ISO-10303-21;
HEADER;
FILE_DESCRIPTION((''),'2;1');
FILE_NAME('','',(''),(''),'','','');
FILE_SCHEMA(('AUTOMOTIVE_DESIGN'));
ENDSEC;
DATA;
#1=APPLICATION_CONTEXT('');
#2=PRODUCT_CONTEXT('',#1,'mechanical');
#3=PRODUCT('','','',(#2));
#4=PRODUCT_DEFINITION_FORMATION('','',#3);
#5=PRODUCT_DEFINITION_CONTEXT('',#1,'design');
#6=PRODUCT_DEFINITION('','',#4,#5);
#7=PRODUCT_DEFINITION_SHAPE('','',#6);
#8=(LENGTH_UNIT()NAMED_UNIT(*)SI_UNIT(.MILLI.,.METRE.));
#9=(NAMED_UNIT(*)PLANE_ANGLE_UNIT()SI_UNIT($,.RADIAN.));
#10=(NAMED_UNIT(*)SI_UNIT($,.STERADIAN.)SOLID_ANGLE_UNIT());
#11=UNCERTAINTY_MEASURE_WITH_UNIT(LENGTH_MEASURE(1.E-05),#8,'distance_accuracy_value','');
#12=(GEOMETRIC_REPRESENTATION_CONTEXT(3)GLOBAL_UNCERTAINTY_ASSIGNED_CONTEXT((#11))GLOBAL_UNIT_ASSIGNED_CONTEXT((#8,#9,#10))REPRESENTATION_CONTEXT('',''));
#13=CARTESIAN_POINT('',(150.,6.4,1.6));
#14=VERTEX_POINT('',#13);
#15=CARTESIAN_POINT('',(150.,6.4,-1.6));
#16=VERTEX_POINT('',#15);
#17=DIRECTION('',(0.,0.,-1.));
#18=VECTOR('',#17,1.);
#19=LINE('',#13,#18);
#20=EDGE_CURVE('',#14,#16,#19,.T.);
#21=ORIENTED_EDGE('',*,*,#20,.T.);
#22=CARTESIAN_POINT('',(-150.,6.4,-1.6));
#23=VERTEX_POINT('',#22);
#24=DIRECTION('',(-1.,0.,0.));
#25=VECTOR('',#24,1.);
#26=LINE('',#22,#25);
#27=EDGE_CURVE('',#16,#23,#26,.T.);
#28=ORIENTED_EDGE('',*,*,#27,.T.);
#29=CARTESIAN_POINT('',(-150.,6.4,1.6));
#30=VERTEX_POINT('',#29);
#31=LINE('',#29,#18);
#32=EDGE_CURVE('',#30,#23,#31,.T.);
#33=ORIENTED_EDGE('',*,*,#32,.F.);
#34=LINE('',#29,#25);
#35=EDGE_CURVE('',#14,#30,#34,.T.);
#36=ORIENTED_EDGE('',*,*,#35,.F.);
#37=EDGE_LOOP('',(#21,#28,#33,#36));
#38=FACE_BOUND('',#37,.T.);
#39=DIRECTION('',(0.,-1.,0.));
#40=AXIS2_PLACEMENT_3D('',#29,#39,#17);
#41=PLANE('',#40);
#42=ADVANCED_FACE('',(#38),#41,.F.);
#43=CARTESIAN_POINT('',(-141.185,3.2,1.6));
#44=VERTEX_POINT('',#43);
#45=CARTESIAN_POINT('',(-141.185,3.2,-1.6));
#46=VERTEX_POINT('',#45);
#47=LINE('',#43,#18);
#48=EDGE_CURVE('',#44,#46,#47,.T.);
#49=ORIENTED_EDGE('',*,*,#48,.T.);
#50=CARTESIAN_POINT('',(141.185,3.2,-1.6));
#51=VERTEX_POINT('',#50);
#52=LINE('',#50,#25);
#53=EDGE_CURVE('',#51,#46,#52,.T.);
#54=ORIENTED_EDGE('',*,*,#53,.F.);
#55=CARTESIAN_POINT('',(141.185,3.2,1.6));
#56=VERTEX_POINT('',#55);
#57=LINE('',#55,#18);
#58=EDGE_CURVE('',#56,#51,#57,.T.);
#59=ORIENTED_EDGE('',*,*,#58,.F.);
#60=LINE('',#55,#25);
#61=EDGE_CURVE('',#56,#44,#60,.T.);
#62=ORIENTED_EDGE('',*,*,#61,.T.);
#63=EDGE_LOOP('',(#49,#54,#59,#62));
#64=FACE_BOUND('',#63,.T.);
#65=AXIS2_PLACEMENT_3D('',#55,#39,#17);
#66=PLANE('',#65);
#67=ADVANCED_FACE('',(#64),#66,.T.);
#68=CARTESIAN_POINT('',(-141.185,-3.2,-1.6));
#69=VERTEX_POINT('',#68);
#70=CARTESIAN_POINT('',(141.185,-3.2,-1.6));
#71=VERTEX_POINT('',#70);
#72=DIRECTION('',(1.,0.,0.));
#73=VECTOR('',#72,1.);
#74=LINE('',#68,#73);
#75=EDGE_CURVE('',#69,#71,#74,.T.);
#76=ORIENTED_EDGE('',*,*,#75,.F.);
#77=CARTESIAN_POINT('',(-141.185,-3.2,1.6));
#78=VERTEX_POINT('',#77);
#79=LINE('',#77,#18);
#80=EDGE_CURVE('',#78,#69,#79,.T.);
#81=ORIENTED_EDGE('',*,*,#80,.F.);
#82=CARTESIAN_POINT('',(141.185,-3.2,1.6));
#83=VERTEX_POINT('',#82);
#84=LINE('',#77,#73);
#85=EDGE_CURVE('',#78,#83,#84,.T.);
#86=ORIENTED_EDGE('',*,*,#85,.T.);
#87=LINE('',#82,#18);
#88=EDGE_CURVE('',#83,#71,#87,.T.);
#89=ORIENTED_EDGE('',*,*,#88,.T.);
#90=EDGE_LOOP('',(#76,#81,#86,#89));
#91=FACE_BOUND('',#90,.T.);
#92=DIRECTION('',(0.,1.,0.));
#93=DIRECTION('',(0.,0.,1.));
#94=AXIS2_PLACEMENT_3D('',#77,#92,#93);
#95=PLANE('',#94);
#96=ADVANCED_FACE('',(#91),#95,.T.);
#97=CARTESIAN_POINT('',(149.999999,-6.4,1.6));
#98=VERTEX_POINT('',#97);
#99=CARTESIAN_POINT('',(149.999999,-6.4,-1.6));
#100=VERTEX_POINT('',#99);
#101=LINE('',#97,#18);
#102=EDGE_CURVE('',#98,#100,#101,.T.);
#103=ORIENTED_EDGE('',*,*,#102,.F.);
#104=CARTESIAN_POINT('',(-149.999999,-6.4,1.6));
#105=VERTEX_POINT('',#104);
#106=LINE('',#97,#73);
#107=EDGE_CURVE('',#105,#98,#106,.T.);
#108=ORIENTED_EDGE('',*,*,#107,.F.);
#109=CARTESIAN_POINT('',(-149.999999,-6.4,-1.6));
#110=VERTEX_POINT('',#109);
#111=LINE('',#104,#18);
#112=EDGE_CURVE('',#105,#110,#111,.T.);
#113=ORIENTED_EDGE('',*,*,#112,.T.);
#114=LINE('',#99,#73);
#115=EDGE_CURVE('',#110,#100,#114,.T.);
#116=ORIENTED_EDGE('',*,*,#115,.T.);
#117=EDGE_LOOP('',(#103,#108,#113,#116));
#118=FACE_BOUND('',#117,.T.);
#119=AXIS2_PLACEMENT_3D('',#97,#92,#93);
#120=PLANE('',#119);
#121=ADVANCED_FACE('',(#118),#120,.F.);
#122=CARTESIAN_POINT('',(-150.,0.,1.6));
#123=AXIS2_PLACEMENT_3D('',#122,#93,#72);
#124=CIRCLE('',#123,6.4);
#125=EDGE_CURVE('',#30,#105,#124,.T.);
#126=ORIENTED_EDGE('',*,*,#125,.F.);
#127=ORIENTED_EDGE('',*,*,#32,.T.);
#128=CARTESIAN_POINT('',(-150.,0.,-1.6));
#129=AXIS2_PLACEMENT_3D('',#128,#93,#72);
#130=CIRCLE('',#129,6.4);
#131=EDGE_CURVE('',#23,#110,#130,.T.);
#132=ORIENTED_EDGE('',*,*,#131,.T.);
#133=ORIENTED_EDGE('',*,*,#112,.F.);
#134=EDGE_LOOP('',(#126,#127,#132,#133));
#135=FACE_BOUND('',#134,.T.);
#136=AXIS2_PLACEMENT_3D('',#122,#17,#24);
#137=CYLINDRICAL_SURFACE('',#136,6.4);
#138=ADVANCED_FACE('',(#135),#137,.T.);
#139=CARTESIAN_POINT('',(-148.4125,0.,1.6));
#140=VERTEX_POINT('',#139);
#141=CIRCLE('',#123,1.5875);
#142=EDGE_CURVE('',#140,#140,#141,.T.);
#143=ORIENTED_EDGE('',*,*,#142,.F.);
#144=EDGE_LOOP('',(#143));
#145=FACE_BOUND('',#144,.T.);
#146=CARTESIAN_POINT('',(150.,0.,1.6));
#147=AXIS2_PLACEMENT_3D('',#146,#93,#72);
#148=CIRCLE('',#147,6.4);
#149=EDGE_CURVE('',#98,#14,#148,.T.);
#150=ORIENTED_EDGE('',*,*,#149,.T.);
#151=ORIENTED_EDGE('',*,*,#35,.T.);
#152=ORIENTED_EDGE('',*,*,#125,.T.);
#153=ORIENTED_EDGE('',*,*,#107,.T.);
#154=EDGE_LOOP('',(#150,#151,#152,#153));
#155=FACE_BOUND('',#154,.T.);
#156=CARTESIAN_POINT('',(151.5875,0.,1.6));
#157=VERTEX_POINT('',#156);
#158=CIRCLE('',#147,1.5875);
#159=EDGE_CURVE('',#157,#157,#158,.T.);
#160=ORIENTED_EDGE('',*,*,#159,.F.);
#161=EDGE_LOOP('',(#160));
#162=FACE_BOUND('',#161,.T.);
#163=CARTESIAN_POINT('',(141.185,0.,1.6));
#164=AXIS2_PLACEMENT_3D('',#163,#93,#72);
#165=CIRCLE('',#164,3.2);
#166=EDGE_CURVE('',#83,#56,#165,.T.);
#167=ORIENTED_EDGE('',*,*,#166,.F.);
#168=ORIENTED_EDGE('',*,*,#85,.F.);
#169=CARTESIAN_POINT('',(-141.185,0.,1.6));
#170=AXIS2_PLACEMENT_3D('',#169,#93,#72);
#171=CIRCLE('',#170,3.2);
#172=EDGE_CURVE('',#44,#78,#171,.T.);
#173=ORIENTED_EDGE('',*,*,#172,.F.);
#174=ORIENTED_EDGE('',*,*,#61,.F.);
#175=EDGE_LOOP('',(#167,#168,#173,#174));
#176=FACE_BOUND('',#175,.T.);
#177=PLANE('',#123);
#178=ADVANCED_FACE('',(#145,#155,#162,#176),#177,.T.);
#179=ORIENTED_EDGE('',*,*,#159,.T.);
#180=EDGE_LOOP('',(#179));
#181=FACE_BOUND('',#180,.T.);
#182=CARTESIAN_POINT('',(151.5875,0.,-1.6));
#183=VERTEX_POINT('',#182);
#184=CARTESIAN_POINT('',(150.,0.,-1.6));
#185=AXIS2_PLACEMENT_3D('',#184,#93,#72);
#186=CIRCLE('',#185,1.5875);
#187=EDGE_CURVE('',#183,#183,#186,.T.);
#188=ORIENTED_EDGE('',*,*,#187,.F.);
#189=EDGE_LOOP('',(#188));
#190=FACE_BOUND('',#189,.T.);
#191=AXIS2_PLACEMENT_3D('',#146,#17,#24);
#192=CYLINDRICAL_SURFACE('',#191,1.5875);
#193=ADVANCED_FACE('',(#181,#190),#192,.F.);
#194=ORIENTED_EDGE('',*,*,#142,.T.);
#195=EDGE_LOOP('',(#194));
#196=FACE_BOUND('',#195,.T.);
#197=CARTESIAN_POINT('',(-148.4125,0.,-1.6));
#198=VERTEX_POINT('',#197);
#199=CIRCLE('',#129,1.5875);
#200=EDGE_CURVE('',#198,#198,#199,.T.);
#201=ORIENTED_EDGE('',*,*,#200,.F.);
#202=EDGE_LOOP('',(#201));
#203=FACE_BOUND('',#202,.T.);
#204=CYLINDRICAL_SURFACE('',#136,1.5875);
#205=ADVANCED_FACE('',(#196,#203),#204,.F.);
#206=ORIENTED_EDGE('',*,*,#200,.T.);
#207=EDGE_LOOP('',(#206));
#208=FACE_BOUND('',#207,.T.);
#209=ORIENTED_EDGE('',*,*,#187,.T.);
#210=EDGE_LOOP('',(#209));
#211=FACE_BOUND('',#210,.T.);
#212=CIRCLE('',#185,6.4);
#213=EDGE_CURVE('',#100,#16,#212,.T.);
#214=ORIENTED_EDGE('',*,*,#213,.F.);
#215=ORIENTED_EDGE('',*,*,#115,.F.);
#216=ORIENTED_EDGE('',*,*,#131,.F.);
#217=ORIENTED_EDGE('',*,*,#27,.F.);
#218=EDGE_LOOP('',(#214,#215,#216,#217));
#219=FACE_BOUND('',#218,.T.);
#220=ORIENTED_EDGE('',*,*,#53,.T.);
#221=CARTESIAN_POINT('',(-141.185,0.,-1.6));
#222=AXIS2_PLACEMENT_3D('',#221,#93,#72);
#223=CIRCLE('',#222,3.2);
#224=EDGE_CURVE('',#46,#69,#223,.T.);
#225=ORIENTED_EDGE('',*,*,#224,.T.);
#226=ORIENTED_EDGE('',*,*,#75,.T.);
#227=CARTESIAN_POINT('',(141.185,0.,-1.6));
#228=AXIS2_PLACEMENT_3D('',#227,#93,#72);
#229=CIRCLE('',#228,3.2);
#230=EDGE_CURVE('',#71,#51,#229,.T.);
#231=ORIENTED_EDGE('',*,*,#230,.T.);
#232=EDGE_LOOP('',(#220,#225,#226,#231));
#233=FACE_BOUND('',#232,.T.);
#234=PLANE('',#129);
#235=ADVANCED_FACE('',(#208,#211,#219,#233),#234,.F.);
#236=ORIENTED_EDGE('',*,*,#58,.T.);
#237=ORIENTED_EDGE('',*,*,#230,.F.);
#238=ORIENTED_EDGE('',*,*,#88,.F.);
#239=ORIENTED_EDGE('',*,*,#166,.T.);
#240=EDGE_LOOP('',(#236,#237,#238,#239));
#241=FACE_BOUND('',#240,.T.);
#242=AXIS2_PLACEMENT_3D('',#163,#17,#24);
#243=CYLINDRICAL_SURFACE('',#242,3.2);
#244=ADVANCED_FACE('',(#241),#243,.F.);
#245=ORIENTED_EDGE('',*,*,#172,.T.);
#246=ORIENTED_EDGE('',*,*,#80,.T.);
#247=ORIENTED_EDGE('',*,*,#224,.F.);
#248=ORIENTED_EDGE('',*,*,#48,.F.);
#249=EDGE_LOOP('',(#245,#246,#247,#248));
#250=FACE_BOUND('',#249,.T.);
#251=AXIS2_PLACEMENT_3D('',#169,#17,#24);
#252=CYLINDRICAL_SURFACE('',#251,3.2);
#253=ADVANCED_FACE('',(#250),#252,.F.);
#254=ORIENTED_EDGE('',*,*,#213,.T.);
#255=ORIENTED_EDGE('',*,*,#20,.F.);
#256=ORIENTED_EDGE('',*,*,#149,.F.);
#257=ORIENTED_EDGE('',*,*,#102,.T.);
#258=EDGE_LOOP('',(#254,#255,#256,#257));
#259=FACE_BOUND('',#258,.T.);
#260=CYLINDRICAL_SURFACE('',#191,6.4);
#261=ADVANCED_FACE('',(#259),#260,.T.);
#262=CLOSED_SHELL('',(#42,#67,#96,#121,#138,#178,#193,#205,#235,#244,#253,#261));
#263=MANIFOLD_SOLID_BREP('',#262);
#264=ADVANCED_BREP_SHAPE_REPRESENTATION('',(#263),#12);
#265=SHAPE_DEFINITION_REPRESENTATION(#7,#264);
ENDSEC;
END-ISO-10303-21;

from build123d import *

# Parameters (mm, degrees)
SKETCH1_R           = 1.5875
BOSS_EXTRUDE2_DEPTH = 1.6


with BuildPart() as part:
    # Sketch1 → Boss-Extrude2 (new, symmetric)
    with BuildSketch(Plane.XY):
        with BuildLine():
            Line((-149.999999691, 6.4), (149.999999691, 6.4))
            ThreePointArc((149.999999691, 6.4), (156.399999534, -1.57e-07), (149.999999377, -6.4))
            Line((149.999999377, -6.4), (-149.999999377, -6.4))
            ThreePointArc((-149.999999377, -6.4), (-156.4, -1.57e-07), (-149.999999691, 6.4))
        make_face()
        with Locations((-150, 0)):
            Circle(SKETCH1_R, mode=Mode.SUBTRACT)
        with Locations((149.999999534, 0)):
            Circle(SKETCH1_R, mode=Mode.SUBTRACT)
        with BuildLine():
            Line((141.185, 3.2), (-141.185, 3.2))
            ThreePointArc((-141.185, 3.2), (-144.385, 0), (-141.185, -3.2))
            Line((-141.185, -3.2), (141.185, -3.2))
            ThreePointArc((141.185, -3.2), (144.385, 0), (141.185, 3.2))
        make_face(mode=Mode.SUBTRACT)
    extrude(amount=BOSS_EXTRUDE2_DEPTH, both=True)


solid = part.part
